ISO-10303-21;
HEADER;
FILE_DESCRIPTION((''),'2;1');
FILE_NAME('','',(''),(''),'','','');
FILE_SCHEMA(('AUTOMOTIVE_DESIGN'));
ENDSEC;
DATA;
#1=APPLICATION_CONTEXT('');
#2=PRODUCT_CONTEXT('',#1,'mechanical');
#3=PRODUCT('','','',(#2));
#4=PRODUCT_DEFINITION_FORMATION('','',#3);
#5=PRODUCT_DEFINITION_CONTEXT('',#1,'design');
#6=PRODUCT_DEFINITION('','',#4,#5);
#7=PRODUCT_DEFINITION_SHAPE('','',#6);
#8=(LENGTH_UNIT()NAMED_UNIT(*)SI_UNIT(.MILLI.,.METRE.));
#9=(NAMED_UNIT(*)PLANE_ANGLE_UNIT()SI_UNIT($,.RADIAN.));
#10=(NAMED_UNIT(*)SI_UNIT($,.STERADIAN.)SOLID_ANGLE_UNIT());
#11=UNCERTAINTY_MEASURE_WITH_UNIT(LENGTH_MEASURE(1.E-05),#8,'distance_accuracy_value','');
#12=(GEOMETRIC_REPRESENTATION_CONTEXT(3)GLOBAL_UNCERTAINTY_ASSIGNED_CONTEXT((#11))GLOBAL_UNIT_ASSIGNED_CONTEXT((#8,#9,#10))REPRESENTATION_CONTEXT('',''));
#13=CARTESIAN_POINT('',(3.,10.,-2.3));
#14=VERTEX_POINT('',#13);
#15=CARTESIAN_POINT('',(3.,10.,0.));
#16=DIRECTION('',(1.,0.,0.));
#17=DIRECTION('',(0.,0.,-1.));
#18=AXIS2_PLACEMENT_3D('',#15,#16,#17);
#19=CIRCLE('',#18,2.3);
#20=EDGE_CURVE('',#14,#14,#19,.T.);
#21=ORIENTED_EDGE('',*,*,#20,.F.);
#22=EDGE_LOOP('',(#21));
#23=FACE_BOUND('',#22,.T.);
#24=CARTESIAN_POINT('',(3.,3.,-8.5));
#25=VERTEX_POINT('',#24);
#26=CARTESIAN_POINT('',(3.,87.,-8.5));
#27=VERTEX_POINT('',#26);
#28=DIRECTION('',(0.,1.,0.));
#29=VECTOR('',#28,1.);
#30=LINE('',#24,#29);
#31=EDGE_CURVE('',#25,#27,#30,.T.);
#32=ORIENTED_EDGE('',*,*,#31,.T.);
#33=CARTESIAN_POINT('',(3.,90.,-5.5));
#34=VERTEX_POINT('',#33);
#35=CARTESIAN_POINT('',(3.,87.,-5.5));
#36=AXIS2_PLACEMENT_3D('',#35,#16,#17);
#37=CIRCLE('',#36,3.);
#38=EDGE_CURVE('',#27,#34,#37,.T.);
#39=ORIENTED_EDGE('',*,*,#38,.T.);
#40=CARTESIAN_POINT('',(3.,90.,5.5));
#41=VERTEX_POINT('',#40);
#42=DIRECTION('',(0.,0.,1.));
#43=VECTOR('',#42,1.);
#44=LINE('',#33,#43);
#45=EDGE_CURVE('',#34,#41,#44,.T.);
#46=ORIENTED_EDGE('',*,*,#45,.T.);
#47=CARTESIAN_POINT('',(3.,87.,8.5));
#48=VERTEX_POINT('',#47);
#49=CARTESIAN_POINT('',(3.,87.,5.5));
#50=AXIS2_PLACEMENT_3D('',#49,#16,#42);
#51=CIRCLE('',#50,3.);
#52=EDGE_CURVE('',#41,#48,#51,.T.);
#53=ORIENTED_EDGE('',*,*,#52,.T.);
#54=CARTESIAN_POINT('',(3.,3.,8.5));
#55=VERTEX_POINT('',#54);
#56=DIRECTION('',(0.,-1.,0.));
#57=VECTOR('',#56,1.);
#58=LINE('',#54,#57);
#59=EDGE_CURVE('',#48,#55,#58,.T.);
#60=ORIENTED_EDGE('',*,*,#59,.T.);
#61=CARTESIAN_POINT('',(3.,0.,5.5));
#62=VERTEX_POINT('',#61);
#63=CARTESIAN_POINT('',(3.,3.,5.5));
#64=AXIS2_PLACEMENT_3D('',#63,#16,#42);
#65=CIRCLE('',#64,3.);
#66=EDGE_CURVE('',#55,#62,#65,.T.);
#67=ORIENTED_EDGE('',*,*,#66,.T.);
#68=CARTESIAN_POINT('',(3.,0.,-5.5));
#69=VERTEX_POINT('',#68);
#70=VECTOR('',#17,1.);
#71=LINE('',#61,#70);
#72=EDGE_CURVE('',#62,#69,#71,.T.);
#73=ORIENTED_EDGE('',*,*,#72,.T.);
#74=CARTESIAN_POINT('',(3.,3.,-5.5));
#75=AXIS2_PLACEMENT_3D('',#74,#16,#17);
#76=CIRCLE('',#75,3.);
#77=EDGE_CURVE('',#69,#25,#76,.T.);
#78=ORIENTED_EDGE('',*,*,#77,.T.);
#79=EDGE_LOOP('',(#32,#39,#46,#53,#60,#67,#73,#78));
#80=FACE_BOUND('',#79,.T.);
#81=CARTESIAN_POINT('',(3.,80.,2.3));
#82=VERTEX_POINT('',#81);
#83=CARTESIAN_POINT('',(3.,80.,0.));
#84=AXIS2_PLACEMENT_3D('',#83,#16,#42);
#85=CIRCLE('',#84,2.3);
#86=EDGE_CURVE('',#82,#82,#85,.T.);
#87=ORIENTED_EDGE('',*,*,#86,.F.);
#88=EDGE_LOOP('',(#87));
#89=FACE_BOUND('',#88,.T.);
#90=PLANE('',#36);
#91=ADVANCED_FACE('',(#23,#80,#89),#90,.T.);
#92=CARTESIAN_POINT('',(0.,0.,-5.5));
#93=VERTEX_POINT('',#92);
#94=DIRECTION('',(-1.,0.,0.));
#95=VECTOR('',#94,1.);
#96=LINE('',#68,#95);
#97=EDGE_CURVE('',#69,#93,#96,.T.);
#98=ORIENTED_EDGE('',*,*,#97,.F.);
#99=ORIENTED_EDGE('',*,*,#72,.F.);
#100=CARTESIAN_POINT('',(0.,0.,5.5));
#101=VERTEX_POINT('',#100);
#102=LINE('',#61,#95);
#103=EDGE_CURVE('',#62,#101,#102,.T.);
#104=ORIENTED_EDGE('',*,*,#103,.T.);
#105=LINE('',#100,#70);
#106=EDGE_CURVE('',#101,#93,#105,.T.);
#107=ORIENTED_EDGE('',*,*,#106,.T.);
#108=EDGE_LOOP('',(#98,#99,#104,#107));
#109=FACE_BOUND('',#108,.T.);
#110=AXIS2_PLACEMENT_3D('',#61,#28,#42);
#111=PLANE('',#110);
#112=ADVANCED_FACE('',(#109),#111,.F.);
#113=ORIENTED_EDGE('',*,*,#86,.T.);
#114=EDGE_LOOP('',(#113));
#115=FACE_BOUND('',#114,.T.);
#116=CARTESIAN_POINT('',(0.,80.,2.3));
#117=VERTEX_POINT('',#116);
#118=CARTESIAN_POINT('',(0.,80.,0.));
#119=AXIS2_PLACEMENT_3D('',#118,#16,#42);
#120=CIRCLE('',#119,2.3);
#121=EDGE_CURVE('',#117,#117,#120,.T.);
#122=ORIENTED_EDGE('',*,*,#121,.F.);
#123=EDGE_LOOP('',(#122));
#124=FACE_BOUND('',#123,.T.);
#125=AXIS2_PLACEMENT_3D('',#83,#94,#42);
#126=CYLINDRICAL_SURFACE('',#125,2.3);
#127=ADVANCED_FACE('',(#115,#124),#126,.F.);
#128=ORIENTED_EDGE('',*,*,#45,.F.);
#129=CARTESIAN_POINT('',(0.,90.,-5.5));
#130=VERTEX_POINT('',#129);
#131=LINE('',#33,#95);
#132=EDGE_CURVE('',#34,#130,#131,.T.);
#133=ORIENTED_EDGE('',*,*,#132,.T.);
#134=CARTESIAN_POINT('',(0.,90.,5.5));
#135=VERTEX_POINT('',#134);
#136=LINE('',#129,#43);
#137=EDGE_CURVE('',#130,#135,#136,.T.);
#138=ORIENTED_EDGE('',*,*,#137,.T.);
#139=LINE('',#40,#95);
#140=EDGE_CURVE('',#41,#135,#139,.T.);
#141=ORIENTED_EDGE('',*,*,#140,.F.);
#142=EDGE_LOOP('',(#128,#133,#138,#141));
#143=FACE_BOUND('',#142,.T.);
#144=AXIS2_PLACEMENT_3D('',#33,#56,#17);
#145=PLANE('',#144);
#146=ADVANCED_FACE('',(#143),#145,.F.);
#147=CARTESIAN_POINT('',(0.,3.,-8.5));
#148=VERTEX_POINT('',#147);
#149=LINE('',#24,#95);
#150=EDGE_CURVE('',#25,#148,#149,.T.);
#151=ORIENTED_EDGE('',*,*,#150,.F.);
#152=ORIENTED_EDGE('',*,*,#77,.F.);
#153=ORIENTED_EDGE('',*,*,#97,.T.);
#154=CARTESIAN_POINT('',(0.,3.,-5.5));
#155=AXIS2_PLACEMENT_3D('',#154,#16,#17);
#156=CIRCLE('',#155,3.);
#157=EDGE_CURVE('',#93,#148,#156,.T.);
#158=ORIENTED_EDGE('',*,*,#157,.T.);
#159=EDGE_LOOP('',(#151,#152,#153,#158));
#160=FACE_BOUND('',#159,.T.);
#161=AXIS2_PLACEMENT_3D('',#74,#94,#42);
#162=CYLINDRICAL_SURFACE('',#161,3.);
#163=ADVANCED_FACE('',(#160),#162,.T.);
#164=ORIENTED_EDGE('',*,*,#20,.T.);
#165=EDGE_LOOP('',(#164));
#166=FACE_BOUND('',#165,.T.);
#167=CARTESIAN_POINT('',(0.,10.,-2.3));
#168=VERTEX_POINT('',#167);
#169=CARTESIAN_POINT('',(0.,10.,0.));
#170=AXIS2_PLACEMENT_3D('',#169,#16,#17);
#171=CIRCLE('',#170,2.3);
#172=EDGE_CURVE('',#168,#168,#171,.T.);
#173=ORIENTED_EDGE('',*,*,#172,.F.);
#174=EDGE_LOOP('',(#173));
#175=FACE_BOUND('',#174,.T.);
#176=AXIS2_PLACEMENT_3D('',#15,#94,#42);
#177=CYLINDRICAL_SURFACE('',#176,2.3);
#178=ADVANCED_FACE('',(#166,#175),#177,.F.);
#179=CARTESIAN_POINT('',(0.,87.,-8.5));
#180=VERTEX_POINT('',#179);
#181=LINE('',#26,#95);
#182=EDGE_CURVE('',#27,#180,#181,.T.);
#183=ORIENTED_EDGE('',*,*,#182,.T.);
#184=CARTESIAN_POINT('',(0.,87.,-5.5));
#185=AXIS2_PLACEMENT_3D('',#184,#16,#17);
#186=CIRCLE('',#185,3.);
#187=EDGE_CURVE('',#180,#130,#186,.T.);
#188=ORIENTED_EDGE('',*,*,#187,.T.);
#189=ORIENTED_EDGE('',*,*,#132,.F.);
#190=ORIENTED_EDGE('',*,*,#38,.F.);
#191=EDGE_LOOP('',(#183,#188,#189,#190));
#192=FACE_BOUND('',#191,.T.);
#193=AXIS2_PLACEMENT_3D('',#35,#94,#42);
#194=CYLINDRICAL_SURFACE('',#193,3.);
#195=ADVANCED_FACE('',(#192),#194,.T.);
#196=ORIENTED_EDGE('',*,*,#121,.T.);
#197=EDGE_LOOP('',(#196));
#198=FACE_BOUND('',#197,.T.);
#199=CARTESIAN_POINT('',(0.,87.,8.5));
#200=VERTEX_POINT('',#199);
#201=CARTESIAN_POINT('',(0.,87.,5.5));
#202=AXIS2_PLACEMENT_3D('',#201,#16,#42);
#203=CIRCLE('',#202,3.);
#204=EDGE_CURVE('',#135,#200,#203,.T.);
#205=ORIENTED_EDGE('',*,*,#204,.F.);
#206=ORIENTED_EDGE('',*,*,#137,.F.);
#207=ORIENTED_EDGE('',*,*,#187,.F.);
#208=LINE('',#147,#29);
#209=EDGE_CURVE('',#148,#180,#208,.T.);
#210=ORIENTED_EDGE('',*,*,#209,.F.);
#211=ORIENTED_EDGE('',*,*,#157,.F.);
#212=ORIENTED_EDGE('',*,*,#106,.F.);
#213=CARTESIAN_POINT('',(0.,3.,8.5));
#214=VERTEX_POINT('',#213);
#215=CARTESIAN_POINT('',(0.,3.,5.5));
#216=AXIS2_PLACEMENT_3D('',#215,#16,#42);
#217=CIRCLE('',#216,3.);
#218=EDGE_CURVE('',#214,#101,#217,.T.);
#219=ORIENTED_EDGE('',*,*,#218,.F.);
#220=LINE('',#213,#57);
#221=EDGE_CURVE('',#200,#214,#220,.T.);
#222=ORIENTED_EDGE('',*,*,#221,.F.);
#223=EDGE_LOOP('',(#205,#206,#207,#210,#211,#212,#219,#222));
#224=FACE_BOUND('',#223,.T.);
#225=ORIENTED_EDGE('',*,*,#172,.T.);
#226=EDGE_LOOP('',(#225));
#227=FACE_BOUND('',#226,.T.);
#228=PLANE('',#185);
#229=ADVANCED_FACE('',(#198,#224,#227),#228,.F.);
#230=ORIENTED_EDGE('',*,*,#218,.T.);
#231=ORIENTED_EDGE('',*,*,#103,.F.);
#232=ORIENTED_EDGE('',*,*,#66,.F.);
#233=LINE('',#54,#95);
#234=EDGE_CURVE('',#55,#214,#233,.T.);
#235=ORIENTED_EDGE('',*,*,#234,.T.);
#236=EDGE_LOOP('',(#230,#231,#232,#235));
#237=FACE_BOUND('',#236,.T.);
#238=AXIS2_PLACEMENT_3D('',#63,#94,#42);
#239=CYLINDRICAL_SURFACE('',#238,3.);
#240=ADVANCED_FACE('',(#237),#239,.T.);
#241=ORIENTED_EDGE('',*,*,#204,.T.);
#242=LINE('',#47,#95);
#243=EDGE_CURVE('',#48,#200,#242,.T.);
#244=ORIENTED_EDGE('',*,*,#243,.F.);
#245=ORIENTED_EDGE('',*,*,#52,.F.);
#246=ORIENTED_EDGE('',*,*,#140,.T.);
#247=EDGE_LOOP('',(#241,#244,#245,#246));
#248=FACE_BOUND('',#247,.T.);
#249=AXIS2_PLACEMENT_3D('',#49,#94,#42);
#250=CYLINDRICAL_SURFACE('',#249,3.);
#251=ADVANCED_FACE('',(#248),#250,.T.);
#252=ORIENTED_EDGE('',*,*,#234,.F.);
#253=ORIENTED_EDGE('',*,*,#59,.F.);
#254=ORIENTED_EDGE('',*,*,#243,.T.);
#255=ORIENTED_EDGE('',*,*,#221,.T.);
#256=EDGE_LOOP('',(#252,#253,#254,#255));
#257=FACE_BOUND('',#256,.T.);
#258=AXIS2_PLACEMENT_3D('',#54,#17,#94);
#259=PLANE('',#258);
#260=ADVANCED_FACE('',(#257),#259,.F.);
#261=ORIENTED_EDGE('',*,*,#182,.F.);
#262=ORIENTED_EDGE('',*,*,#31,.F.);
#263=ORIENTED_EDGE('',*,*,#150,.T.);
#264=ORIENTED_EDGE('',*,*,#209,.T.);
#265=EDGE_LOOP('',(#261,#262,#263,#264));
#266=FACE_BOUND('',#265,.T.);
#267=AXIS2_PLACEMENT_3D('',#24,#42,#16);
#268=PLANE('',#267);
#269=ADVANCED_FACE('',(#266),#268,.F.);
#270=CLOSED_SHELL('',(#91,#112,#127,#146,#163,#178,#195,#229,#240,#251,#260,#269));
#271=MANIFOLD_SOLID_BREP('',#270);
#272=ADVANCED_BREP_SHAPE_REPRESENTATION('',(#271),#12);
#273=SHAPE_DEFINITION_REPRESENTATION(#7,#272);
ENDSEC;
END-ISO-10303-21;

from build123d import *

# Parameters (mm, degrees)
SKETCH1_R           = 2.3
BOSS_EXTRUDE1_DEPTH = 3


with BuildPart() as part:
    # Sketch1 → Boss-Extrude1 (new body)
    with BuildSketch(Plane(origin=(0, 0, 0), x_dir=(0, 0, -1), z_dir=(1, 0, 0))):
        with BuildLine():
            Line((-5.5, 0), (5.5, 0))
            ThreePointArc((5.5, 0), (7.621320344, 0.878679656), (8.5, 3))
            Line((8.5, 3), (8.5, 87))
            ThreePointArc((8.5, 87), (7.621320344, 89.121320344), (5.5, 90))
            Line((5.5, 90), (-5.5, 90))
            ThreePointArc((-5.5, 90), (-7.621320344, 89.121320344), (-8.5, 87))
            Line((-8.5, 87), (-8.5, 3))
            ThreePointArc((-8.5, 3), (-7.621320344, 0.878679656), (-5.5, 0))
        make_face()
        with Locations((0, 10)):
            Circle(SKETCH1_R, mode=Mode.SUBTRACT)
        with Locations(Location((0, 80, 0), (0, 0, 180))):
            Circle(SKETCH1_R, mode=Mode.SUBTRACT)
    extrude(amount=BOSS_EXTRUDE1_DEPTH)


solid = part.part
